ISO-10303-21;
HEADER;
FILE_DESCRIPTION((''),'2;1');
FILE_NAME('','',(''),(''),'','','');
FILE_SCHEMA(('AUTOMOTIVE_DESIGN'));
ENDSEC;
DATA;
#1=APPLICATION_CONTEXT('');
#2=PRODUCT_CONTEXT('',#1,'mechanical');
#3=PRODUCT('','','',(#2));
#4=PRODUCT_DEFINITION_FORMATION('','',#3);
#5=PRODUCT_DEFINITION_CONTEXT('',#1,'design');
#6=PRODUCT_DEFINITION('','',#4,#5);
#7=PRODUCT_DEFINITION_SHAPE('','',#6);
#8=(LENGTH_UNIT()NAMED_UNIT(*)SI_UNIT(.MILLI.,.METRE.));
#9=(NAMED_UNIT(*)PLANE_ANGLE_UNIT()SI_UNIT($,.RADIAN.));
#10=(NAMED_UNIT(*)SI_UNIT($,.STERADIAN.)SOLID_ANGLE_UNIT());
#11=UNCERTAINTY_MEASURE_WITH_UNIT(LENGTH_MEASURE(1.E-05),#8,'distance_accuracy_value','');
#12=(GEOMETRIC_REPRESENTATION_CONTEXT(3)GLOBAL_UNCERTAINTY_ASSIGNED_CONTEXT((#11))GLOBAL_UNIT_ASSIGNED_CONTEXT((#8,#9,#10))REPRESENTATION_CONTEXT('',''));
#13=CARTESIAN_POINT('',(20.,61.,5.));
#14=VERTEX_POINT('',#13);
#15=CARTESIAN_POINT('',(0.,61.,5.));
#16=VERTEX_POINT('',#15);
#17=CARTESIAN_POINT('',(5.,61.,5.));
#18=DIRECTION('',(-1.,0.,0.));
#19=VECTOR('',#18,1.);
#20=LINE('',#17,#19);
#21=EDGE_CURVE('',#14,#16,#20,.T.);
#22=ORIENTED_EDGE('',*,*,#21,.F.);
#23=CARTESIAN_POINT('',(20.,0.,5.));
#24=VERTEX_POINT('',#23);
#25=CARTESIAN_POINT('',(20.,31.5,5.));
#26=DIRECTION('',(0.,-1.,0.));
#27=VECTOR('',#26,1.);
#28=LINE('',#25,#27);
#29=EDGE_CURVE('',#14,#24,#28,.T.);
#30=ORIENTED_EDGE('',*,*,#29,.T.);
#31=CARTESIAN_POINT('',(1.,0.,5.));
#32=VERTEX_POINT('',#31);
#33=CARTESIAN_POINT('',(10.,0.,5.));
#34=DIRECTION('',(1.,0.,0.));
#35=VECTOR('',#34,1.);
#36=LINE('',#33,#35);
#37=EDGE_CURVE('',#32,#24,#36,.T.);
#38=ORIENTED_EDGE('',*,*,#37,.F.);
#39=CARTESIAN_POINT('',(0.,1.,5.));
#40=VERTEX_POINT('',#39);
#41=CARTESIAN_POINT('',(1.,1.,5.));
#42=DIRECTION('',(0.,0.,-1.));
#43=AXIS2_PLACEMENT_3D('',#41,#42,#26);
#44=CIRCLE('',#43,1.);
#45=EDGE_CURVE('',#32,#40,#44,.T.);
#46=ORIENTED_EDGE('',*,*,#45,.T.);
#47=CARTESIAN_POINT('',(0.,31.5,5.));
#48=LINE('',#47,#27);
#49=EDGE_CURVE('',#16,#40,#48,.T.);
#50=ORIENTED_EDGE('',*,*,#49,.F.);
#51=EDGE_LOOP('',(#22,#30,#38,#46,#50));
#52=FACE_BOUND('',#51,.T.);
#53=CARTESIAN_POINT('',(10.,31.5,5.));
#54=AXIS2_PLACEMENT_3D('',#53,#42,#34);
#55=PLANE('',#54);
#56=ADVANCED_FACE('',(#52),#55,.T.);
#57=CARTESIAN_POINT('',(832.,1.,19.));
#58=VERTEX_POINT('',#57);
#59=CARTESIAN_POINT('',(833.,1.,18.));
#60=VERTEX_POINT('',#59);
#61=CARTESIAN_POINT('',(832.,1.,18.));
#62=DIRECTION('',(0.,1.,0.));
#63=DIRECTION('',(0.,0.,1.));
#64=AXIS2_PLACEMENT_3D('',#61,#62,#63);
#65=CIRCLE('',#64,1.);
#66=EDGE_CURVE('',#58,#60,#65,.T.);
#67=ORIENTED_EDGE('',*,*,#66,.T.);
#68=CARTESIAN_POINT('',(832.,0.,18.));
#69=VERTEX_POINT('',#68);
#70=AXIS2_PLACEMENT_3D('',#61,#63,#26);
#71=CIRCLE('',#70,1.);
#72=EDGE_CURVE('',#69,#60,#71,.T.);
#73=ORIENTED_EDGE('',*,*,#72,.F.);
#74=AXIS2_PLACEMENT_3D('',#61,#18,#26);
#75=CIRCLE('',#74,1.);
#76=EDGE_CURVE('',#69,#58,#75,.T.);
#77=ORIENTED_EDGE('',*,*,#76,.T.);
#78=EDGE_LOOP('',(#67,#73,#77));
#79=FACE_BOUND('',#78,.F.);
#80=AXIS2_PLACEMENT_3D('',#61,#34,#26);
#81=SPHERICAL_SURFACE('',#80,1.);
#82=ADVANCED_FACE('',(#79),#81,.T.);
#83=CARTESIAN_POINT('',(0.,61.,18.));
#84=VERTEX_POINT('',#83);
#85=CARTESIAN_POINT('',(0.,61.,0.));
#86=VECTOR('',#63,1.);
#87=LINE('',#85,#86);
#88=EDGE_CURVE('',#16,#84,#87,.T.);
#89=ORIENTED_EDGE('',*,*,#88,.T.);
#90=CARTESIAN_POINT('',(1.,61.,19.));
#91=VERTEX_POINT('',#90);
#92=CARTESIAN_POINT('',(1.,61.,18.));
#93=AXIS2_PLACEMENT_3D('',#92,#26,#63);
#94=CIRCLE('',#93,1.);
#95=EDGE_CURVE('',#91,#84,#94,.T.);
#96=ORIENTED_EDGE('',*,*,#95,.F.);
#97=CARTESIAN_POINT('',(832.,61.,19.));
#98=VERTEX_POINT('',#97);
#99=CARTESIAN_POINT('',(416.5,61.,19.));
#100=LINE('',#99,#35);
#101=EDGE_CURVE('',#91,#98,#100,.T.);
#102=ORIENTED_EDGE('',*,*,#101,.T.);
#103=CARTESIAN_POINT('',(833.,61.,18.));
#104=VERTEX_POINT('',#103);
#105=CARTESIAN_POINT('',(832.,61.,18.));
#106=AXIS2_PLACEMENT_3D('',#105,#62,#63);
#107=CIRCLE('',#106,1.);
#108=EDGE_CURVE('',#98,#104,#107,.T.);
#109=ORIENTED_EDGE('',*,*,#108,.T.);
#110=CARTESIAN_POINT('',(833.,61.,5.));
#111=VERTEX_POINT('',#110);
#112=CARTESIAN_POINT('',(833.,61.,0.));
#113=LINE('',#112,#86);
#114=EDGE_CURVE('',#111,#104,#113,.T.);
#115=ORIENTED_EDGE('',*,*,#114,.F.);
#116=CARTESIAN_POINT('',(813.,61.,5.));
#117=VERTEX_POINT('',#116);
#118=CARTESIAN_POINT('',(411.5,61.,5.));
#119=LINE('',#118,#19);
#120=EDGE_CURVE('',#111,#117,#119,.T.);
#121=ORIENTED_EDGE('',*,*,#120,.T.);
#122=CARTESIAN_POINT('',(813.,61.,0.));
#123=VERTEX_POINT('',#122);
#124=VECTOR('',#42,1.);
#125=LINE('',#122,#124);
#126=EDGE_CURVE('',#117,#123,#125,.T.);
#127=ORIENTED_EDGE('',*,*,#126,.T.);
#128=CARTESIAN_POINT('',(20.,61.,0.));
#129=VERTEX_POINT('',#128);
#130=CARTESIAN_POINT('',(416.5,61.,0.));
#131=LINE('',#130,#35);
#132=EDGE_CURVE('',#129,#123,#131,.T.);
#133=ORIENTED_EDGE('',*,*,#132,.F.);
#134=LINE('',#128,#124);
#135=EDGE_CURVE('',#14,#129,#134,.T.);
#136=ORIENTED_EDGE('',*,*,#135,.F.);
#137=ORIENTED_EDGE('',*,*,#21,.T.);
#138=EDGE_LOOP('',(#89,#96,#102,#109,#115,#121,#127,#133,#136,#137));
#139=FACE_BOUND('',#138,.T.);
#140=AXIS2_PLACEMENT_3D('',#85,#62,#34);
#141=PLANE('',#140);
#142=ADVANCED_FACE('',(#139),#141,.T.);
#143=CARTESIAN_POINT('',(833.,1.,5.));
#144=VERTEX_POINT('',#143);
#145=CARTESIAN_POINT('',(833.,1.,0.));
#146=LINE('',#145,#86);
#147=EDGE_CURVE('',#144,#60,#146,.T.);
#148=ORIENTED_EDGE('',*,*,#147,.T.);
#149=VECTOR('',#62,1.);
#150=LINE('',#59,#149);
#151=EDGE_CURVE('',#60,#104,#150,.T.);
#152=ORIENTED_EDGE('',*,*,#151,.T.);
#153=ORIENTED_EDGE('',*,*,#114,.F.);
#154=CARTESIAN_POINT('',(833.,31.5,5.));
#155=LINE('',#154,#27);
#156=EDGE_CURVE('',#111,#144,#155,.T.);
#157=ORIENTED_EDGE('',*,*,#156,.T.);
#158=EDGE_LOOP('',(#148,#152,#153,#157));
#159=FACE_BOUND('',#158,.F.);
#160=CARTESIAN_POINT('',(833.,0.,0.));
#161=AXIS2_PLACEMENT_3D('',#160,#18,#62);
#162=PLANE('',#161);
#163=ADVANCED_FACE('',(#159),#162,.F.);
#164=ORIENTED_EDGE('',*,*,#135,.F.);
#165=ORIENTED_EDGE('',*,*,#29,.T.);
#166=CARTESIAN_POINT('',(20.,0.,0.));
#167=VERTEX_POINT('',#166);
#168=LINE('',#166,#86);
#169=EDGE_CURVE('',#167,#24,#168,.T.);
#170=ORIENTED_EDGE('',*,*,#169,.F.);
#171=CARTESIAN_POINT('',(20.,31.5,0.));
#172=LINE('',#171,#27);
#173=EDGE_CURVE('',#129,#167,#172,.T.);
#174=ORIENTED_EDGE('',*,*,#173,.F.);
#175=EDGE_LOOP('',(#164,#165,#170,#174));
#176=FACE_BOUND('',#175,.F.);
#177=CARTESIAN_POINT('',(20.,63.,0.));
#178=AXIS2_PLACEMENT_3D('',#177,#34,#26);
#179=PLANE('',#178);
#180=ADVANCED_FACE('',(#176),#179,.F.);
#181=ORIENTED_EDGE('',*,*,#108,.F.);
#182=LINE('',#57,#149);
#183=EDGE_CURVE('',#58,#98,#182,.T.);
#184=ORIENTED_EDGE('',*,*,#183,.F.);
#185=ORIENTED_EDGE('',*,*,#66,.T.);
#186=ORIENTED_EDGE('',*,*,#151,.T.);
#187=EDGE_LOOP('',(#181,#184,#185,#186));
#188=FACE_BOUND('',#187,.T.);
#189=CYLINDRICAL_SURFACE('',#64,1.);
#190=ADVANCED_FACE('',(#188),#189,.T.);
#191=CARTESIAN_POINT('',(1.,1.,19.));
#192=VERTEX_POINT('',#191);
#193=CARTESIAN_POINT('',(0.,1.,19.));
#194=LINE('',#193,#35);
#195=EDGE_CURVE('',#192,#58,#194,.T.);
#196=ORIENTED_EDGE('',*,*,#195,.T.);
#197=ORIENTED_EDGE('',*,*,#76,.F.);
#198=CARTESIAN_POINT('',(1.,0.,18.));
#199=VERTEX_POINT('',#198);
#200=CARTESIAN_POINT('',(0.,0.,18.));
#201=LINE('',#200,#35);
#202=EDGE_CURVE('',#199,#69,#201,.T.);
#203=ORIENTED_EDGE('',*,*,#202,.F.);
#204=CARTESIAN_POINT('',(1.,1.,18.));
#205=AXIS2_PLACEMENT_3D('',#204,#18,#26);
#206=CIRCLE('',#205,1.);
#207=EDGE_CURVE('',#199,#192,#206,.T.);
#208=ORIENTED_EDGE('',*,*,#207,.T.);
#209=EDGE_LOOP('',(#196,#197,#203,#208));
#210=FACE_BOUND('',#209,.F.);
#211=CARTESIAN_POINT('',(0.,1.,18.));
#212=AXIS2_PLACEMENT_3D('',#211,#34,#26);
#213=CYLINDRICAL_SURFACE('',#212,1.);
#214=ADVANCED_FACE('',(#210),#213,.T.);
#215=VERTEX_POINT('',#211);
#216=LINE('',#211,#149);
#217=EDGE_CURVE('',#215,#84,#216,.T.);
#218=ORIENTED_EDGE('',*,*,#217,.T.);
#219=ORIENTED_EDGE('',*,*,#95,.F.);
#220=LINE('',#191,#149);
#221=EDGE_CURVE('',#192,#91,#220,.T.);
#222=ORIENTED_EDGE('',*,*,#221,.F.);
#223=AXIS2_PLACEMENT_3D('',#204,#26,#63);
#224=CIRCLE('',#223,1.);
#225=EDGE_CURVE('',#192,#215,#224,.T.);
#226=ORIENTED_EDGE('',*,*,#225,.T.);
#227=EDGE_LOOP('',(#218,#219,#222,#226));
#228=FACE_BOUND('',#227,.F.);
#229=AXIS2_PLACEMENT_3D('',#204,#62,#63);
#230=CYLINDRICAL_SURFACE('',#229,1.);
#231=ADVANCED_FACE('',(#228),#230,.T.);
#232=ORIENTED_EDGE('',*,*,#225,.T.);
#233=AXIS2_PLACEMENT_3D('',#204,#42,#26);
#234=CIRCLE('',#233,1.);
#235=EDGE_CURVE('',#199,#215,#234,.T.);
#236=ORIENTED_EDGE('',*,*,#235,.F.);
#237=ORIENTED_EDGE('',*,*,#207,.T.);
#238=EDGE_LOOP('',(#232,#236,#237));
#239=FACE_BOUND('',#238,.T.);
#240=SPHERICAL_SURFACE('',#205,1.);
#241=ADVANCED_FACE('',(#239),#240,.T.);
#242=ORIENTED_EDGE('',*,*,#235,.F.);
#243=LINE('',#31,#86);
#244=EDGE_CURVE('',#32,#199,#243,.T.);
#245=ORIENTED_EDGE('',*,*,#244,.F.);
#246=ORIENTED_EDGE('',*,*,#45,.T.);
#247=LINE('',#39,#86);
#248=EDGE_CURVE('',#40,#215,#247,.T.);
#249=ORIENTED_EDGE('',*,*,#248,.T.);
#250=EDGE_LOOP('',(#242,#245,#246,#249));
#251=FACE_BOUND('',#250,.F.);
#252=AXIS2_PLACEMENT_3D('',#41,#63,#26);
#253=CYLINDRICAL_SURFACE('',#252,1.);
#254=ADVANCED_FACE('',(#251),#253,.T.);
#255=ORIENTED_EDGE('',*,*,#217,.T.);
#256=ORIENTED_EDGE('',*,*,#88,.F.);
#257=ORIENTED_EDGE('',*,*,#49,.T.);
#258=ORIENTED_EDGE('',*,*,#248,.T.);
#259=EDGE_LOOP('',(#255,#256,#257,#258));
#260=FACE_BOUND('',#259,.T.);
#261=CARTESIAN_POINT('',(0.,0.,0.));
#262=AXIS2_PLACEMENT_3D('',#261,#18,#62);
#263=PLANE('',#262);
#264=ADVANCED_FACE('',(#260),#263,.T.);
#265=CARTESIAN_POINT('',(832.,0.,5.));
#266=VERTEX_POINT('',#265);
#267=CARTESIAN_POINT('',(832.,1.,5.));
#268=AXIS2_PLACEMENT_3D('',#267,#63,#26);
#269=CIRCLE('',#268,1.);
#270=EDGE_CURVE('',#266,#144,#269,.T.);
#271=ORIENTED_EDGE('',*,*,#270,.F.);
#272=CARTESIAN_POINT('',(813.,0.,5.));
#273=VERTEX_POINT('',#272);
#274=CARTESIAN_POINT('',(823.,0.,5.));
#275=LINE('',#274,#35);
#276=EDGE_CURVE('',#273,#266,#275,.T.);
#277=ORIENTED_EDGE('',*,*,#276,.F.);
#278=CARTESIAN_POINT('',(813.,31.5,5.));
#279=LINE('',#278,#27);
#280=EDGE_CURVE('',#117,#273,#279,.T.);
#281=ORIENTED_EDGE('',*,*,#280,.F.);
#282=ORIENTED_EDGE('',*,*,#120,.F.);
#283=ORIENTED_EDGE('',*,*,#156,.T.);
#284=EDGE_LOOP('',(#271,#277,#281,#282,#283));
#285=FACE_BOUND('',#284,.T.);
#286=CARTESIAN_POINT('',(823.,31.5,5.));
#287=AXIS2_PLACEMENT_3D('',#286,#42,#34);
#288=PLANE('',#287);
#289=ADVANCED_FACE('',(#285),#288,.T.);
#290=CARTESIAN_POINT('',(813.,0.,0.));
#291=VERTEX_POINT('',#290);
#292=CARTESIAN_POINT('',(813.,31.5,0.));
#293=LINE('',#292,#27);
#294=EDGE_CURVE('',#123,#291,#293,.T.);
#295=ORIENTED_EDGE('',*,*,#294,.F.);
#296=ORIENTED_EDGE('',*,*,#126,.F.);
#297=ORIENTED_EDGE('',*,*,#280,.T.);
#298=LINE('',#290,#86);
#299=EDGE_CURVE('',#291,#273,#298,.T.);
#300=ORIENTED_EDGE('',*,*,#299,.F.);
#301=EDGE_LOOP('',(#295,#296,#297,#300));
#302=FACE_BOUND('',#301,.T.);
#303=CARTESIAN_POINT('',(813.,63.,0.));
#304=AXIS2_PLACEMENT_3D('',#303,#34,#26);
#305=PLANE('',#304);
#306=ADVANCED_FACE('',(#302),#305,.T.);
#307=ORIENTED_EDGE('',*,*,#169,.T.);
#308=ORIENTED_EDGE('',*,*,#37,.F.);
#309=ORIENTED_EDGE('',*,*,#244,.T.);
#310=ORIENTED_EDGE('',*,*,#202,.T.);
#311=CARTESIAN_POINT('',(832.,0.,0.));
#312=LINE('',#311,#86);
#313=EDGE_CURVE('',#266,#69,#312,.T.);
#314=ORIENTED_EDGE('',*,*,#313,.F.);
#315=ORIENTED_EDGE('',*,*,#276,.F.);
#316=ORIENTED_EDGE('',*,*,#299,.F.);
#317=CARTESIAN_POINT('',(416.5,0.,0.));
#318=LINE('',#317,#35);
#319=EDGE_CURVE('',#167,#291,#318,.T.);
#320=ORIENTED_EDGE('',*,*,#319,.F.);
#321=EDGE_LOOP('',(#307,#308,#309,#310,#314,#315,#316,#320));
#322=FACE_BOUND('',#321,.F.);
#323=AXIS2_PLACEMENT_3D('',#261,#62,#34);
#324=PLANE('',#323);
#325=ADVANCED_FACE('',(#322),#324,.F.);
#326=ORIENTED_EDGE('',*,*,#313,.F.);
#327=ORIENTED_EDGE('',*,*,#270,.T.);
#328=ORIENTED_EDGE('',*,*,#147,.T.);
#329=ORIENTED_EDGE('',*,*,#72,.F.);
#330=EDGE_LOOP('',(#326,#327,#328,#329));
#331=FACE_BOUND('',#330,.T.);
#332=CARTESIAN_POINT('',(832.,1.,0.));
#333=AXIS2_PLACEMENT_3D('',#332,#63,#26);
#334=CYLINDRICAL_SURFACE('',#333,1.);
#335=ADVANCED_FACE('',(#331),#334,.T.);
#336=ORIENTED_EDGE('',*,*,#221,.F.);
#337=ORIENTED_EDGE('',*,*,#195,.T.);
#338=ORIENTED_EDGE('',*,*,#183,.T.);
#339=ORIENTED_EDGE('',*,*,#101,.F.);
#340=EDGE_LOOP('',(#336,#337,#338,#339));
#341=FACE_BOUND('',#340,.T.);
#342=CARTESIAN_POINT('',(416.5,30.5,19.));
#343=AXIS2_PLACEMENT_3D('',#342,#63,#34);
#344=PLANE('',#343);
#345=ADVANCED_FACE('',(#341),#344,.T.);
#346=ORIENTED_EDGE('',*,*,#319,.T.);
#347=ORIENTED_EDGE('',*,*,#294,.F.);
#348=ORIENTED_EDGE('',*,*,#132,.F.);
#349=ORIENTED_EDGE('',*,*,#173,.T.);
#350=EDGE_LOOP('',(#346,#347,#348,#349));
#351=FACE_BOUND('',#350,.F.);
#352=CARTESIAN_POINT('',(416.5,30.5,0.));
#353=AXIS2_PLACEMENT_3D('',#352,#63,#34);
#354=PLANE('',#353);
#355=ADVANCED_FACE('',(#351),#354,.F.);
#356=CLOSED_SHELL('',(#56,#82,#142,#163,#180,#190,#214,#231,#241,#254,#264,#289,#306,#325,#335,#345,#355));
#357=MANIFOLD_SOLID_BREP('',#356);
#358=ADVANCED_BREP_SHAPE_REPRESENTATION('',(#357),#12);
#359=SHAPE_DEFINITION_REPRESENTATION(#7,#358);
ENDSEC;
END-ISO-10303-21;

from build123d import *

# Parameters (mm, degrees)
BOX_W           = 833
BOX_H           = 61
BOX_DEPTH       = 19
FILLET_R        = 1
FILLET001_R     = 1
SKETCH_W        = 20
SKETCH_H        = 63
POCKET_DEPTH    = 5
SKETCH001_W     = 20
SKETCH001_H     = 63
POCKET001_DEPTH = 5
FILLET002_R     = 1


with BuildPart() as part:
    # Box → Box (new body)
    with BuildSketch(Plane.XY):
        with Locations((416.5, 30.5)):
            Rectangle(BOX_W, BOX_H)
    extrude(amount=BOX_DEPTH)

    # Fillet
    fillet_edges = [part.edges().sort_by_distance(p)[0] for p in [
        (416.5, 0, 19),
    ]]
    fillet(fillet_edges, radius=FILLET_R)

    # Fillet001
    fillet001_edges = [part.edges().sort_by_distance(p)[0] for p in [
        (833, 31, 19),
    ]]
    fillet(fillet001_edges, radius=FILLET001_R)

    # Sketch (on Face5 of Fillet001) → Pocket (cut)
    with BuildSketch(Plane(origin=(0, 0, 0), x_dir=(1, 0, 0), z_dir=(0, 0, -1))):
        with Locations((10, -31.5)):
            Rectangle(SKETCH_W, SKETCH_H)
    extrude(amount=-POCKET_DEPTH, mode=Mode.SUBTRACT)

    # Sketch001 (on Face6 of Pocket) → Pocket001 (cut)
    with BuildSketch(Plane(origin=(0, 0, 0), x_dir=(1, 0, 0), z_dir=(0, 0, -1))):
        with Locations((823, -31.5)):
            Rectangle(SKETCH001_W, SKETCH001_H)
    extrude(amount=-POCKET001_DEPTH, mode=Mode.SUBTRACT)

    # Fillet002
    fillet002_edges = [part.edges().sort_by_distance(p)[0] for p in [
        (0, 0, 11.5),
    ]]
    fillet(fillet002_edges, radius=FILLET002_R)


solid = part.part
